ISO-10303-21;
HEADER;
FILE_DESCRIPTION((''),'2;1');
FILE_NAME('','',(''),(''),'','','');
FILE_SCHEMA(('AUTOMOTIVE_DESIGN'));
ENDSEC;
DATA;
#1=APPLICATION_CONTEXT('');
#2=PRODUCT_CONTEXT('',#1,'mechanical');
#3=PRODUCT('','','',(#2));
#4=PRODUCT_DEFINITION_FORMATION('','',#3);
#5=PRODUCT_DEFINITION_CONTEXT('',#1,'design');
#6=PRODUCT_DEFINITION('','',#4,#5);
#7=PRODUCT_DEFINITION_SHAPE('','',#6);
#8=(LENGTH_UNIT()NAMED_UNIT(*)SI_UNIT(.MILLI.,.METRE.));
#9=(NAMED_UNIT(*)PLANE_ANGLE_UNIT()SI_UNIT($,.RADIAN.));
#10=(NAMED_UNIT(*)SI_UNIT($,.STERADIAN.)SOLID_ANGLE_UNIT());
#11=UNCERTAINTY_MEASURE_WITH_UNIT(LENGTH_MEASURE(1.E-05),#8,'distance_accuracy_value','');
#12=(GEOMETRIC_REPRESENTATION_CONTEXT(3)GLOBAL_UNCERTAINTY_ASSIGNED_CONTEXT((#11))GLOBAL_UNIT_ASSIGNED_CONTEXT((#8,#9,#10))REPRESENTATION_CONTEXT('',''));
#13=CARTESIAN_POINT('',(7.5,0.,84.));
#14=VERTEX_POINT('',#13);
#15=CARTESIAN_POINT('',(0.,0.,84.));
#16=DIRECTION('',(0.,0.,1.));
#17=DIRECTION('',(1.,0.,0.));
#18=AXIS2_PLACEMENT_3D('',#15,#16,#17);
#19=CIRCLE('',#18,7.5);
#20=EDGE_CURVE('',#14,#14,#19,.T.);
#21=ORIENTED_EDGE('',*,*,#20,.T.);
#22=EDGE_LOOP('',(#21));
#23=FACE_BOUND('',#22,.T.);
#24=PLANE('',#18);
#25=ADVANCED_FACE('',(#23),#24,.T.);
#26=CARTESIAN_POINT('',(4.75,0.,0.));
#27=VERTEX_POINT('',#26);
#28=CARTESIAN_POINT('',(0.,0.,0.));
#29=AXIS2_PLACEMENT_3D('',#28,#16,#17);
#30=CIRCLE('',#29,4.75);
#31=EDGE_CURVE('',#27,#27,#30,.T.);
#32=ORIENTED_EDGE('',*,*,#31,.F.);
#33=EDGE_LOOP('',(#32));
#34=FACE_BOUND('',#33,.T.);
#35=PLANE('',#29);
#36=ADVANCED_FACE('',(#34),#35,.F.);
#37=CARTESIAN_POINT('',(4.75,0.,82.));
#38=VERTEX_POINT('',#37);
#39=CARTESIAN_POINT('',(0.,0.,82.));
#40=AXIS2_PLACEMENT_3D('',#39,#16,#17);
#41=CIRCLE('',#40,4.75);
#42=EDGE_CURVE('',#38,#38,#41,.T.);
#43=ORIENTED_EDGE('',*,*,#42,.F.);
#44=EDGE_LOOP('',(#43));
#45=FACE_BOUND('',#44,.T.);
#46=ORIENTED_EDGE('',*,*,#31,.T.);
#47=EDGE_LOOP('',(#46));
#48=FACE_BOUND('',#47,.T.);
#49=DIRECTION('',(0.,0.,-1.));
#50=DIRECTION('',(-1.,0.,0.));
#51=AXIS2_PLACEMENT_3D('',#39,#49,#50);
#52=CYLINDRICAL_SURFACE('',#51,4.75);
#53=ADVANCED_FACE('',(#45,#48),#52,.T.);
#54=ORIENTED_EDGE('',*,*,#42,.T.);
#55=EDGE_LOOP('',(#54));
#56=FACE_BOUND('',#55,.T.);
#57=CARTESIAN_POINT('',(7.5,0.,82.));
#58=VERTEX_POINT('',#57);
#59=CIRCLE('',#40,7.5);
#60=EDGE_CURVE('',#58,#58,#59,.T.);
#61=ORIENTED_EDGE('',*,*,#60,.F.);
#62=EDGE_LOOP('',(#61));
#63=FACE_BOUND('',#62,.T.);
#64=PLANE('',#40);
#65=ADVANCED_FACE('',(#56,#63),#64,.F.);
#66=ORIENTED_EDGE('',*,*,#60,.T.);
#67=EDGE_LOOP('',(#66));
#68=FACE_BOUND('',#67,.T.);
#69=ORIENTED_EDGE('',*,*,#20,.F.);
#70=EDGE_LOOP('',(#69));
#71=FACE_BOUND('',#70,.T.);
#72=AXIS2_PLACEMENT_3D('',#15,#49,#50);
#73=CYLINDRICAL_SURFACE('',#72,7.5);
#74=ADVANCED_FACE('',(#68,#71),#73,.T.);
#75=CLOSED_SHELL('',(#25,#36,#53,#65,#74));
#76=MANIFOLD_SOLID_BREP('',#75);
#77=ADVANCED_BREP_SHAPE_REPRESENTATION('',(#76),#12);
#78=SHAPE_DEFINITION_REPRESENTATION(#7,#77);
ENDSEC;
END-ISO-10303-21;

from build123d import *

# Parameters (mm, degrees)
SKETCH_1_R      = 4.75
EXTRUDE_1_DEPTH = 82
SKETCH_2_R      = 7.5
EXTRUDE_2_DEPTH = 2


with BuildPart() as part:
    # 草图1 → 凸台-拉伸1 (new body)
    with BuildSketch(Plane.XY):
        Circle(SKETCH_1_R)
    extrude(amount=EXTRUDE_1_DEPTH)

    # 草图2 → 凸台-拉伸2 (add)
    with BuildSketch(Plane.XY.offset(82)):
        Circle(SKETCH_2_R)
    extrude(amount=EXTRUDE_2_DEPTH)


solid = part.part
